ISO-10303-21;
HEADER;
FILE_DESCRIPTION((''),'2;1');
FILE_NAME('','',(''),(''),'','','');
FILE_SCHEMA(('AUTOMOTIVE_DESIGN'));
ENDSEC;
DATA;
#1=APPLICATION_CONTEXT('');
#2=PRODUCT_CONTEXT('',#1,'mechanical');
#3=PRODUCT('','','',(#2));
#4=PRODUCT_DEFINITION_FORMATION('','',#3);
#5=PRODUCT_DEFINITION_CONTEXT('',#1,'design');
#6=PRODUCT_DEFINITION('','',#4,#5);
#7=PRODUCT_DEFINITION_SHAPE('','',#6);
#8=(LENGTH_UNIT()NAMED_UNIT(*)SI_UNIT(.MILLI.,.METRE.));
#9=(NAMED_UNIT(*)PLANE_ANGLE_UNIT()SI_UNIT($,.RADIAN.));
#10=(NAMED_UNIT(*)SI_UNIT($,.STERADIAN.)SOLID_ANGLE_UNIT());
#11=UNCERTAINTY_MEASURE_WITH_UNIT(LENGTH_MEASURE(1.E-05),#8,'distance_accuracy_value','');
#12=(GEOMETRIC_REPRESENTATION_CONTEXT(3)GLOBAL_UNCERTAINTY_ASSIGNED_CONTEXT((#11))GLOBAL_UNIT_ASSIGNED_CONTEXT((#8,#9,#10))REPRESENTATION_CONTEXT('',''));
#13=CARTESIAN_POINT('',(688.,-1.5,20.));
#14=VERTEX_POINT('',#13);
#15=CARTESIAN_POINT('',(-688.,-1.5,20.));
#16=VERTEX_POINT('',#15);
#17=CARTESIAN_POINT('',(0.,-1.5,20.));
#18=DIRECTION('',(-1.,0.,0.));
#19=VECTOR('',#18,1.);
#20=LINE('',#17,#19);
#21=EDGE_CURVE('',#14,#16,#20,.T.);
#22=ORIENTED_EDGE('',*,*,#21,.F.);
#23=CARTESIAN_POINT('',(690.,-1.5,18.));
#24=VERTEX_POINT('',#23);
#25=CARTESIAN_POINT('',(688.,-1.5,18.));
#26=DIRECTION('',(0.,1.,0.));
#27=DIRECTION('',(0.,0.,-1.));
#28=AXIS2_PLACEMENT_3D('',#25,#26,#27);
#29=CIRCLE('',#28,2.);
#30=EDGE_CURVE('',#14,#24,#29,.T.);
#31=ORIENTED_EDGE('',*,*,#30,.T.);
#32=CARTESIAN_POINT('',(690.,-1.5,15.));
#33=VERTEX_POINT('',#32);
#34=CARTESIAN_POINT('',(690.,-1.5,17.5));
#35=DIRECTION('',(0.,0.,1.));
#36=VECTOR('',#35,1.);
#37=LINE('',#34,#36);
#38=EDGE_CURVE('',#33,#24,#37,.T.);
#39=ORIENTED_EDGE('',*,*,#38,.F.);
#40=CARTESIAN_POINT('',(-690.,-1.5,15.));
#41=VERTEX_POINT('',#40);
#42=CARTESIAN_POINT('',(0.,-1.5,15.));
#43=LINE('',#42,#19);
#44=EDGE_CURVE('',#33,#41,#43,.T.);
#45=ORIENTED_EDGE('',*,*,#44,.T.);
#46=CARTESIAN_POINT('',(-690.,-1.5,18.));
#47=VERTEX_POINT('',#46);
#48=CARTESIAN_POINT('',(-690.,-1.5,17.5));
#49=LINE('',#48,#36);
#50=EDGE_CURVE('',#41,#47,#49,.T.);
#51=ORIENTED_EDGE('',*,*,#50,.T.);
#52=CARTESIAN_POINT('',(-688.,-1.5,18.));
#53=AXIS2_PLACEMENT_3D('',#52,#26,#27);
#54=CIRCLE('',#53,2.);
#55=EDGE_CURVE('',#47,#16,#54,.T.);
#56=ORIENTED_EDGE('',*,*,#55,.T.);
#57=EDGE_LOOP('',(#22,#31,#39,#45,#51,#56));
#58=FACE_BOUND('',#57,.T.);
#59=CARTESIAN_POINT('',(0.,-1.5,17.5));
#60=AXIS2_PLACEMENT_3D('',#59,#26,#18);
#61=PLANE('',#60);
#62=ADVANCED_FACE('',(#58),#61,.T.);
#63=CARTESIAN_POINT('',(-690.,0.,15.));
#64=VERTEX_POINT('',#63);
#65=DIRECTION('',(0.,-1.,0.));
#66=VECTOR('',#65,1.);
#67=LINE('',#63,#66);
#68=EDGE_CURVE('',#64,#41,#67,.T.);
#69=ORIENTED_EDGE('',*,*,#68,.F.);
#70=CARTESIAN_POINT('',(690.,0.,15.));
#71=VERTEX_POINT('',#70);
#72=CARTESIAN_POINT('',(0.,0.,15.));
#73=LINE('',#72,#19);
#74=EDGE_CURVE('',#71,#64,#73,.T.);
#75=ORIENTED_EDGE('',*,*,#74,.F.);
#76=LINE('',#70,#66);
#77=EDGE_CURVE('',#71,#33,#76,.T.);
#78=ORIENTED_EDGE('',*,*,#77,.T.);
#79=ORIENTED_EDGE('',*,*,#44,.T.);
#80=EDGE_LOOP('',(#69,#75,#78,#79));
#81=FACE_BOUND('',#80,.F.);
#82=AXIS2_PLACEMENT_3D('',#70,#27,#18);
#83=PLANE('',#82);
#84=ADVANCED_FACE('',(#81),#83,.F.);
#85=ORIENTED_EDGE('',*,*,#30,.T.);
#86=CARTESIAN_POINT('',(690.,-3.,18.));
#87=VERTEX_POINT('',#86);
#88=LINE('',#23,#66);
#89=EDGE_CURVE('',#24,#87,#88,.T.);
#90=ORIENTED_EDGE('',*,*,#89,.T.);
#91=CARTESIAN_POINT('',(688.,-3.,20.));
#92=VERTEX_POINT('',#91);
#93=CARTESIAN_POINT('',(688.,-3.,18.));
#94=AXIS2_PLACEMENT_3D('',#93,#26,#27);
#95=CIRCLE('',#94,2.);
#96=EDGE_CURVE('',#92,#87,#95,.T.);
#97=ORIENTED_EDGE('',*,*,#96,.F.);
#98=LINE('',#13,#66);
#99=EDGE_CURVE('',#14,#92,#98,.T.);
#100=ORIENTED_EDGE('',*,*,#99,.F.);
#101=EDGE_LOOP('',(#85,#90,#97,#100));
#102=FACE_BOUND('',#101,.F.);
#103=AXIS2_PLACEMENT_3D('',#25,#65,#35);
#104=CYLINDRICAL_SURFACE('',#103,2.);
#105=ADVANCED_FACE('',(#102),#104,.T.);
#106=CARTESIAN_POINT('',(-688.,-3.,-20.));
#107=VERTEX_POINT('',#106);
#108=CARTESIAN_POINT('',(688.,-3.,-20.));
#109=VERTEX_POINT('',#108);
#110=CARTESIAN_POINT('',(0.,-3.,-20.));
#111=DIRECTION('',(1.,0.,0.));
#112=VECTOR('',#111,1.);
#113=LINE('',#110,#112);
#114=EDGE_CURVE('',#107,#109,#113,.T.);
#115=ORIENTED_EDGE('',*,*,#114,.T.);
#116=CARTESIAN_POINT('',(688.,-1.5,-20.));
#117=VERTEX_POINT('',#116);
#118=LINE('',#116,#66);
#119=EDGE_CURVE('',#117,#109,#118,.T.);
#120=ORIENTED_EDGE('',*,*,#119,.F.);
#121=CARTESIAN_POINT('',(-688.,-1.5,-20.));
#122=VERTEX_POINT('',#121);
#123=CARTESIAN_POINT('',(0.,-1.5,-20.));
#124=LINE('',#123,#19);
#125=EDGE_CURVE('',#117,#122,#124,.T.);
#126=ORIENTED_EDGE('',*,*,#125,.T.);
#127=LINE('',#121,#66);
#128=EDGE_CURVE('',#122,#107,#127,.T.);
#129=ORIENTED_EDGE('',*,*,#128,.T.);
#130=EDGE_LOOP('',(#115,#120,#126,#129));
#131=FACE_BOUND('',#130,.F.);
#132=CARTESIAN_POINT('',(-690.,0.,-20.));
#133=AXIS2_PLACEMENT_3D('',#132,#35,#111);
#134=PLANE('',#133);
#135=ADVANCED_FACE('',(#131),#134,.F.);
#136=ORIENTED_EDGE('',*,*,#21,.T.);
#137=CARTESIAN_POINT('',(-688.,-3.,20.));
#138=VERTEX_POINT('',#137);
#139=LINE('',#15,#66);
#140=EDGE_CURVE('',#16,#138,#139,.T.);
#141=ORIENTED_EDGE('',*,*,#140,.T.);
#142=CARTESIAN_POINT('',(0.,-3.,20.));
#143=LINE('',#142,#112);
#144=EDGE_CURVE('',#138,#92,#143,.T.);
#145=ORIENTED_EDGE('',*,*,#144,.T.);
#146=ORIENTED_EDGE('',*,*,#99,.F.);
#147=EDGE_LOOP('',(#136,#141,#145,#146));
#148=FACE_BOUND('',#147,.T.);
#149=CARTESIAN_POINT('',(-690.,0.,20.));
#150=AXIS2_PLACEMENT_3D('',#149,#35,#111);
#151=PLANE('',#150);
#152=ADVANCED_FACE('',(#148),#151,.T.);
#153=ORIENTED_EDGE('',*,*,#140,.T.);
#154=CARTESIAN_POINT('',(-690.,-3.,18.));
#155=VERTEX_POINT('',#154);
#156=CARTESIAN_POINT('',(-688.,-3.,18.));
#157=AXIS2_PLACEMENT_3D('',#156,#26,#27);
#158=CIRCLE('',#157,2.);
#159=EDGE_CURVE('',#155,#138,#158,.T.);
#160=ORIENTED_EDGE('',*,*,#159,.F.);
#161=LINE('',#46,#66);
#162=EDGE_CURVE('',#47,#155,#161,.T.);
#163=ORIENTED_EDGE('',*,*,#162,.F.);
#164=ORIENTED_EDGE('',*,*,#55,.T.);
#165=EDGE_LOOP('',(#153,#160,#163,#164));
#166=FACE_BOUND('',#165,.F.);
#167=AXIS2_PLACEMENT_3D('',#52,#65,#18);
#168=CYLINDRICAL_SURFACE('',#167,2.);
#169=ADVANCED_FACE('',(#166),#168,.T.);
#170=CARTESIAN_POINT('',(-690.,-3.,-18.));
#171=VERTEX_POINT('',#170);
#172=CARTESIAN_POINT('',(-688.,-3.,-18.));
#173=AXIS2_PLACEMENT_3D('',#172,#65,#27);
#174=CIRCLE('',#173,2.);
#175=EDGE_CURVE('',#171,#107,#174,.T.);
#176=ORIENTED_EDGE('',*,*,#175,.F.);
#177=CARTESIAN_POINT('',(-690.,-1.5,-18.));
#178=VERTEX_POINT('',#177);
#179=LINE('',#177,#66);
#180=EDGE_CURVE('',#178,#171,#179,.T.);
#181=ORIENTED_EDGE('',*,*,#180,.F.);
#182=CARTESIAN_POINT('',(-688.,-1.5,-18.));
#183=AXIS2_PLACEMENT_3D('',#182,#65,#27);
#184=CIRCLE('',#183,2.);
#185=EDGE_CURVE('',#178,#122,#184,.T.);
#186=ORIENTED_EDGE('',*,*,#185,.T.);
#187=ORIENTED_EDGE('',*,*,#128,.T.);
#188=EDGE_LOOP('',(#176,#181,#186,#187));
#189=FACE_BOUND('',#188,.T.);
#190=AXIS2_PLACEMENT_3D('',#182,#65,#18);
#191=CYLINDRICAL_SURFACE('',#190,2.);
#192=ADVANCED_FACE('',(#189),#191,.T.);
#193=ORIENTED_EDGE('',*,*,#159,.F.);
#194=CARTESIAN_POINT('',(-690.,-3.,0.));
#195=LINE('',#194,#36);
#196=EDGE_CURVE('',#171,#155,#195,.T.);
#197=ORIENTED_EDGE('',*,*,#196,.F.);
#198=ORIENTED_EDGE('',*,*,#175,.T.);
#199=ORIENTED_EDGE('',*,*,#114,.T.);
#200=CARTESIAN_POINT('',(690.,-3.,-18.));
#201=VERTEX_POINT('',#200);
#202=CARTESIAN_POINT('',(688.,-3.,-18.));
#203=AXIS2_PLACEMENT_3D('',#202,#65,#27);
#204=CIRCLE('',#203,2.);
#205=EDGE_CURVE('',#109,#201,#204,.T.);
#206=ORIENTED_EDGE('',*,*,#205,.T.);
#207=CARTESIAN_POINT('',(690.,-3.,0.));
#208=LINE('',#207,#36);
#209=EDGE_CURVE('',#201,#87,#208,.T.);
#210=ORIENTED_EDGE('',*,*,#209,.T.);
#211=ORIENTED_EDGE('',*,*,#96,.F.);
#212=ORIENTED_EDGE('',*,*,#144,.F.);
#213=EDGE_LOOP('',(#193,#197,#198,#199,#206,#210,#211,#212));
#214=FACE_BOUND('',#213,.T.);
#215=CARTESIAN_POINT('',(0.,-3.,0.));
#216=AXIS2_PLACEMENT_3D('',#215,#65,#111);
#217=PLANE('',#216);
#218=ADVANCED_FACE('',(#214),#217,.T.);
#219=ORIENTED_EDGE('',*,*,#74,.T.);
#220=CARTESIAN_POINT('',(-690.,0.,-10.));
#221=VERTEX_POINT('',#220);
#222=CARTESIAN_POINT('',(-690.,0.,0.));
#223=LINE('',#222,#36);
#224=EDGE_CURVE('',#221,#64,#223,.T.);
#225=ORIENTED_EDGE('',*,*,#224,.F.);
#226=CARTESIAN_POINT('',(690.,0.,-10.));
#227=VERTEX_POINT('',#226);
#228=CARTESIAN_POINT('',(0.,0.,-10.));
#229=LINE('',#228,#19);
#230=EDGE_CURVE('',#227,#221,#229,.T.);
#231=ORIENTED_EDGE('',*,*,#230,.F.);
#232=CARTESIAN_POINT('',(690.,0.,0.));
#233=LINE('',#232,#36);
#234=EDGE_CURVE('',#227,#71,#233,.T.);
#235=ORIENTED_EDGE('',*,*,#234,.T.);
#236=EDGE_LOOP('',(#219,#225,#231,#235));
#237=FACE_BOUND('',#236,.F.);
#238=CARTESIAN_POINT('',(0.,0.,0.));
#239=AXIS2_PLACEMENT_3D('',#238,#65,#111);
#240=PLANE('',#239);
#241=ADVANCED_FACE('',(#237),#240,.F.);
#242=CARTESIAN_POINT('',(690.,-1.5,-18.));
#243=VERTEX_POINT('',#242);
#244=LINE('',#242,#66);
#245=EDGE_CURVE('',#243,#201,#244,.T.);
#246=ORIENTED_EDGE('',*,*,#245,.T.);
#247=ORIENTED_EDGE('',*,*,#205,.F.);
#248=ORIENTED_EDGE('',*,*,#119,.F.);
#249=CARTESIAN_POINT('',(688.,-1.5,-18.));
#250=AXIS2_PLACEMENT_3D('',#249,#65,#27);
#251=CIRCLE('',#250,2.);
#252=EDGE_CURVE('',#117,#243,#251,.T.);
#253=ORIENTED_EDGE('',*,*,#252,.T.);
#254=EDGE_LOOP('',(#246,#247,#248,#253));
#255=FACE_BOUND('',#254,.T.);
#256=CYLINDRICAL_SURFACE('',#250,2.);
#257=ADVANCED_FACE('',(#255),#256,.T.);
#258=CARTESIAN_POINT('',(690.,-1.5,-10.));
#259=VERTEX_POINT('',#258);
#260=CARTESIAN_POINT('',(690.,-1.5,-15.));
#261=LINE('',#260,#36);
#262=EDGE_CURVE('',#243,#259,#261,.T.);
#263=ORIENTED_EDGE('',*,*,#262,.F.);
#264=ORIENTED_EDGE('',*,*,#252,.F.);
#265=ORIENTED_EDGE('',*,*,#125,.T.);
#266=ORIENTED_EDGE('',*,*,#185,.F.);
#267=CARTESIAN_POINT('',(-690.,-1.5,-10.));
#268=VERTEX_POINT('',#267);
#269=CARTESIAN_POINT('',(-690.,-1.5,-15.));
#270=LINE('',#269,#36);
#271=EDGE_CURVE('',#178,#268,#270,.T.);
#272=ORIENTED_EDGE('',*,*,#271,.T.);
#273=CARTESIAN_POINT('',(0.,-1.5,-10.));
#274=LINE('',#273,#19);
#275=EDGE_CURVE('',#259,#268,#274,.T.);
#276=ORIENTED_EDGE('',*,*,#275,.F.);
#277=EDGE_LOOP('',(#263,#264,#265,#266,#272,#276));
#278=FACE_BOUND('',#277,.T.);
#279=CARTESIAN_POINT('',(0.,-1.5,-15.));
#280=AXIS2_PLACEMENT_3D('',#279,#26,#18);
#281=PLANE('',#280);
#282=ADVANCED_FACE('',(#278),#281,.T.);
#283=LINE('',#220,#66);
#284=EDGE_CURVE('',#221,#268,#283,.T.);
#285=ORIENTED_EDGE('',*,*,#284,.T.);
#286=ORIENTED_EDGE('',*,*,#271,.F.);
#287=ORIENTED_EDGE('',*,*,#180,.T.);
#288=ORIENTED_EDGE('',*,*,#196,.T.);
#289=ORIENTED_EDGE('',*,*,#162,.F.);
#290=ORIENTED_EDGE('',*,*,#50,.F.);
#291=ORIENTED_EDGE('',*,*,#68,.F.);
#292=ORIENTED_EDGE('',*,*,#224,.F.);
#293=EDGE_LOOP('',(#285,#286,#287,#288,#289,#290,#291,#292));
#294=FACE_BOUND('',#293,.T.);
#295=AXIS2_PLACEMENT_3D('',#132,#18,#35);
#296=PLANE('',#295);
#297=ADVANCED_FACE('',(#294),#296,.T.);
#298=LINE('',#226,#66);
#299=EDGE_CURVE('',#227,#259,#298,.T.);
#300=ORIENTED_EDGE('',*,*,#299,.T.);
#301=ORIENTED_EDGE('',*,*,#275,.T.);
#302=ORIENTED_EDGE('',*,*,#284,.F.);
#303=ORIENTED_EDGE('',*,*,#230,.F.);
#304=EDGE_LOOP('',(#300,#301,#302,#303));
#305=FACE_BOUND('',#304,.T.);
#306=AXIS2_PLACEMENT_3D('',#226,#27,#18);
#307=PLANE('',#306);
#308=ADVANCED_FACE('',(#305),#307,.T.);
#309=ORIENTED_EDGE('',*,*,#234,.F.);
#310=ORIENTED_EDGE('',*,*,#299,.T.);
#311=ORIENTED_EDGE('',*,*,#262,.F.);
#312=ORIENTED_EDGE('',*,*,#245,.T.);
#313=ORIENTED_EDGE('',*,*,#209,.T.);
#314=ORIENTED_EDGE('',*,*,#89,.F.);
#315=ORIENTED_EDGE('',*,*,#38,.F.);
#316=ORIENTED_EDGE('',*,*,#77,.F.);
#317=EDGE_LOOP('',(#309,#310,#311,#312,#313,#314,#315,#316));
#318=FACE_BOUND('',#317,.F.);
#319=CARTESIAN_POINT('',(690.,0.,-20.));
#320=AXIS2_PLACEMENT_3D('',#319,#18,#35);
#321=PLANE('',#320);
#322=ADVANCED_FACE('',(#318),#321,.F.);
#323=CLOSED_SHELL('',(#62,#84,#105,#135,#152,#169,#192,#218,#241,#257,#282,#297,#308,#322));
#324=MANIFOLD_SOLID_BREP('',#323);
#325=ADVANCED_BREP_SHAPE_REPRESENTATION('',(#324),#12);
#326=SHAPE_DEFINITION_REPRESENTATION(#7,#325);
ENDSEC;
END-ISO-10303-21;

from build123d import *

# Parameters (mm, degrees)
F0_W     = 1380
F0_H     = 40
F1_DEPTH = 3
F2_W     = 1380
F2_H     = 5
F2_H_2   = 10
F3_DEPTH = 1.5
F4_R     = 2


with BuildPart() as f1:
    # F0 (on Front) → F1 (new body)
    with BuildSketch(Plane.XZ):
        Rectangle(F0_W, F0_H)
    extrude(amount=F1_DEPTH)

    # F2 (on face) → F3 (cut)
    with BuildSketch(Plane(origin=(0, 0, 0), x_dir=(-1, 0, 0), z_dir=(0, 1, 0))):
        with Locations((0, 17.5)):
            Rectangle(F2_W, F2_H)
        with Locations((0, -15)):
            Rectangle(F2_W, F2_H_2)
    extrude(amount=-F3_DEPTH, mode=Mode.SUBTRACT)

    # F4
    f4_edges = [f1.edges().sort_by_distance(p)[0] for p in [
        (690, -2.25, 20),
        (690, -2.25, -20),
        (-690, -2.25, 20),
        (-690, -2.25, -20),
    ]]
    fillet(f4_edges, radius=F4_R)


solid = f1.part
